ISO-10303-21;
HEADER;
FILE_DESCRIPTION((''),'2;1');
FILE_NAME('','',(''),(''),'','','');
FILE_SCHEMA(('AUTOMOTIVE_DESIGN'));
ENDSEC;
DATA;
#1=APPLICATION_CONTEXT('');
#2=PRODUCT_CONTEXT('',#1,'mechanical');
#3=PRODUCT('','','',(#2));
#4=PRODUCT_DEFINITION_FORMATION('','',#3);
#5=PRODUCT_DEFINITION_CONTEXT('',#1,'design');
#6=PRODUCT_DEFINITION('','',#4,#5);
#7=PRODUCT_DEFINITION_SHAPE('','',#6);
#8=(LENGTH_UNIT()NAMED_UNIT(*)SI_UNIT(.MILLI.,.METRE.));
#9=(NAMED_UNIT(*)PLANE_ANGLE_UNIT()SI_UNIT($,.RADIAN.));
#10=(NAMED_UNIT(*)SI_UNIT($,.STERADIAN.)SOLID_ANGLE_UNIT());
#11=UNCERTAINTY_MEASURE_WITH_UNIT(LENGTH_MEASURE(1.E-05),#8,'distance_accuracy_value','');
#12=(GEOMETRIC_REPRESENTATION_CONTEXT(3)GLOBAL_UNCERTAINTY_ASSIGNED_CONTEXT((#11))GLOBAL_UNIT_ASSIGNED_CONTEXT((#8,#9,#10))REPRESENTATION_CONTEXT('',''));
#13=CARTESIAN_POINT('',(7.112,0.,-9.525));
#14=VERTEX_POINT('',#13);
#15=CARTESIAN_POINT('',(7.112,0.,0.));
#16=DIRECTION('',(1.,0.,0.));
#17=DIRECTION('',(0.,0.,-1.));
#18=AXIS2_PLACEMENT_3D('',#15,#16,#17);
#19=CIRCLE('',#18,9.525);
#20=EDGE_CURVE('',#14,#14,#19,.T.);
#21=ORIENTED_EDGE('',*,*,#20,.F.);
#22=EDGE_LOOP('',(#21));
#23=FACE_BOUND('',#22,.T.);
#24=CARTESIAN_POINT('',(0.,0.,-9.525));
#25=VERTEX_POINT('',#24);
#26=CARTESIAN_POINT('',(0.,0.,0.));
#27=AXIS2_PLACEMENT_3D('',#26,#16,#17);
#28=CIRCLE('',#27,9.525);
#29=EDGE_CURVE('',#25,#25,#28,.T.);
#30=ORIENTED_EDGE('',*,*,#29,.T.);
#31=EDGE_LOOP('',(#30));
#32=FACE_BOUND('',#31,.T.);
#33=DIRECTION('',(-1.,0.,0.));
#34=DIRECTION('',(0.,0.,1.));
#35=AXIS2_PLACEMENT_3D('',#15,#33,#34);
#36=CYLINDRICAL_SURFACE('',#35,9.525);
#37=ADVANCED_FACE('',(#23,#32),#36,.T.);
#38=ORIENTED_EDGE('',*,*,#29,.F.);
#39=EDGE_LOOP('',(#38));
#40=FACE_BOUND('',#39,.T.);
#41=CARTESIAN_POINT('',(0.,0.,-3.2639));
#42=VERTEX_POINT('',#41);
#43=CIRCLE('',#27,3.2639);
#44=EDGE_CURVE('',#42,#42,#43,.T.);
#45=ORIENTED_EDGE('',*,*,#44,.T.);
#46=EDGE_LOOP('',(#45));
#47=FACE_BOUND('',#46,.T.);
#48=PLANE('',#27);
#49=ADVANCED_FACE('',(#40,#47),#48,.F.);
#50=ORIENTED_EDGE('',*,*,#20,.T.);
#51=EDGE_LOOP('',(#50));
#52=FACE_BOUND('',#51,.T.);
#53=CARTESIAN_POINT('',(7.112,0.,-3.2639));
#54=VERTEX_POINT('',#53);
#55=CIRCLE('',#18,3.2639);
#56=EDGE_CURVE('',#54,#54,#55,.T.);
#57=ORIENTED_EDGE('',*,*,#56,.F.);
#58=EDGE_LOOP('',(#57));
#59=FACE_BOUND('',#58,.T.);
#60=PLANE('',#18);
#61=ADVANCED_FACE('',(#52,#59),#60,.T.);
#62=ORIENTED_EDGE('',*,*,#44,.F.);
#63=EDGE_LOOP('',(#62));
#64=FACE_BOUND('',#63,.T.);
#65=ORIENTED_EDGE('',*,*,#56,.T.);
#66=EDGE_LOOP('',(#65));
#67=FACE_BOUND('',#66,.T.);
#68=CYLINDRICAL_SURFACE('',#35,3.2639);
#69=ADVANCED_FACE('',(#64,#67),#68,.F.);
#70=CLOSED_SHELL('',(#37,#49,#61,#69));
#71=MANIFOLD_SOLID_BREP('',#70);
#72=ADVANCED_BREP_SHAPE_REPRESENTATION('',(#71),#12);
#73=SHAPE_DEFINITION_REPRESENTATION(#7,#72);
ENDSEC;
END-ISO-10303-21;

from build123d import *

# Parameters (mm, degrees)
SKETCH2_R           = 9.525
SKETCH2_R_2         = 3.2639
BOSS_EXTRUDE1_DEPTH = 7.112


with BuildPart() as part:
    # Sketch2 → Boss-Extrude1 (new body)
    with BuildSketch(Plane(origin=(0, 0, 0), x_dir=(0, 0, -1), z_dir=(1, 0, 0))):
        Circle(SKETCH2_R)
        Circle(SKETCH2_R_2, mode=Mode.SUBTRACT)
    extrude(amount=BOSS_EXTRUDE1_DEPTH)


solid = part.part
